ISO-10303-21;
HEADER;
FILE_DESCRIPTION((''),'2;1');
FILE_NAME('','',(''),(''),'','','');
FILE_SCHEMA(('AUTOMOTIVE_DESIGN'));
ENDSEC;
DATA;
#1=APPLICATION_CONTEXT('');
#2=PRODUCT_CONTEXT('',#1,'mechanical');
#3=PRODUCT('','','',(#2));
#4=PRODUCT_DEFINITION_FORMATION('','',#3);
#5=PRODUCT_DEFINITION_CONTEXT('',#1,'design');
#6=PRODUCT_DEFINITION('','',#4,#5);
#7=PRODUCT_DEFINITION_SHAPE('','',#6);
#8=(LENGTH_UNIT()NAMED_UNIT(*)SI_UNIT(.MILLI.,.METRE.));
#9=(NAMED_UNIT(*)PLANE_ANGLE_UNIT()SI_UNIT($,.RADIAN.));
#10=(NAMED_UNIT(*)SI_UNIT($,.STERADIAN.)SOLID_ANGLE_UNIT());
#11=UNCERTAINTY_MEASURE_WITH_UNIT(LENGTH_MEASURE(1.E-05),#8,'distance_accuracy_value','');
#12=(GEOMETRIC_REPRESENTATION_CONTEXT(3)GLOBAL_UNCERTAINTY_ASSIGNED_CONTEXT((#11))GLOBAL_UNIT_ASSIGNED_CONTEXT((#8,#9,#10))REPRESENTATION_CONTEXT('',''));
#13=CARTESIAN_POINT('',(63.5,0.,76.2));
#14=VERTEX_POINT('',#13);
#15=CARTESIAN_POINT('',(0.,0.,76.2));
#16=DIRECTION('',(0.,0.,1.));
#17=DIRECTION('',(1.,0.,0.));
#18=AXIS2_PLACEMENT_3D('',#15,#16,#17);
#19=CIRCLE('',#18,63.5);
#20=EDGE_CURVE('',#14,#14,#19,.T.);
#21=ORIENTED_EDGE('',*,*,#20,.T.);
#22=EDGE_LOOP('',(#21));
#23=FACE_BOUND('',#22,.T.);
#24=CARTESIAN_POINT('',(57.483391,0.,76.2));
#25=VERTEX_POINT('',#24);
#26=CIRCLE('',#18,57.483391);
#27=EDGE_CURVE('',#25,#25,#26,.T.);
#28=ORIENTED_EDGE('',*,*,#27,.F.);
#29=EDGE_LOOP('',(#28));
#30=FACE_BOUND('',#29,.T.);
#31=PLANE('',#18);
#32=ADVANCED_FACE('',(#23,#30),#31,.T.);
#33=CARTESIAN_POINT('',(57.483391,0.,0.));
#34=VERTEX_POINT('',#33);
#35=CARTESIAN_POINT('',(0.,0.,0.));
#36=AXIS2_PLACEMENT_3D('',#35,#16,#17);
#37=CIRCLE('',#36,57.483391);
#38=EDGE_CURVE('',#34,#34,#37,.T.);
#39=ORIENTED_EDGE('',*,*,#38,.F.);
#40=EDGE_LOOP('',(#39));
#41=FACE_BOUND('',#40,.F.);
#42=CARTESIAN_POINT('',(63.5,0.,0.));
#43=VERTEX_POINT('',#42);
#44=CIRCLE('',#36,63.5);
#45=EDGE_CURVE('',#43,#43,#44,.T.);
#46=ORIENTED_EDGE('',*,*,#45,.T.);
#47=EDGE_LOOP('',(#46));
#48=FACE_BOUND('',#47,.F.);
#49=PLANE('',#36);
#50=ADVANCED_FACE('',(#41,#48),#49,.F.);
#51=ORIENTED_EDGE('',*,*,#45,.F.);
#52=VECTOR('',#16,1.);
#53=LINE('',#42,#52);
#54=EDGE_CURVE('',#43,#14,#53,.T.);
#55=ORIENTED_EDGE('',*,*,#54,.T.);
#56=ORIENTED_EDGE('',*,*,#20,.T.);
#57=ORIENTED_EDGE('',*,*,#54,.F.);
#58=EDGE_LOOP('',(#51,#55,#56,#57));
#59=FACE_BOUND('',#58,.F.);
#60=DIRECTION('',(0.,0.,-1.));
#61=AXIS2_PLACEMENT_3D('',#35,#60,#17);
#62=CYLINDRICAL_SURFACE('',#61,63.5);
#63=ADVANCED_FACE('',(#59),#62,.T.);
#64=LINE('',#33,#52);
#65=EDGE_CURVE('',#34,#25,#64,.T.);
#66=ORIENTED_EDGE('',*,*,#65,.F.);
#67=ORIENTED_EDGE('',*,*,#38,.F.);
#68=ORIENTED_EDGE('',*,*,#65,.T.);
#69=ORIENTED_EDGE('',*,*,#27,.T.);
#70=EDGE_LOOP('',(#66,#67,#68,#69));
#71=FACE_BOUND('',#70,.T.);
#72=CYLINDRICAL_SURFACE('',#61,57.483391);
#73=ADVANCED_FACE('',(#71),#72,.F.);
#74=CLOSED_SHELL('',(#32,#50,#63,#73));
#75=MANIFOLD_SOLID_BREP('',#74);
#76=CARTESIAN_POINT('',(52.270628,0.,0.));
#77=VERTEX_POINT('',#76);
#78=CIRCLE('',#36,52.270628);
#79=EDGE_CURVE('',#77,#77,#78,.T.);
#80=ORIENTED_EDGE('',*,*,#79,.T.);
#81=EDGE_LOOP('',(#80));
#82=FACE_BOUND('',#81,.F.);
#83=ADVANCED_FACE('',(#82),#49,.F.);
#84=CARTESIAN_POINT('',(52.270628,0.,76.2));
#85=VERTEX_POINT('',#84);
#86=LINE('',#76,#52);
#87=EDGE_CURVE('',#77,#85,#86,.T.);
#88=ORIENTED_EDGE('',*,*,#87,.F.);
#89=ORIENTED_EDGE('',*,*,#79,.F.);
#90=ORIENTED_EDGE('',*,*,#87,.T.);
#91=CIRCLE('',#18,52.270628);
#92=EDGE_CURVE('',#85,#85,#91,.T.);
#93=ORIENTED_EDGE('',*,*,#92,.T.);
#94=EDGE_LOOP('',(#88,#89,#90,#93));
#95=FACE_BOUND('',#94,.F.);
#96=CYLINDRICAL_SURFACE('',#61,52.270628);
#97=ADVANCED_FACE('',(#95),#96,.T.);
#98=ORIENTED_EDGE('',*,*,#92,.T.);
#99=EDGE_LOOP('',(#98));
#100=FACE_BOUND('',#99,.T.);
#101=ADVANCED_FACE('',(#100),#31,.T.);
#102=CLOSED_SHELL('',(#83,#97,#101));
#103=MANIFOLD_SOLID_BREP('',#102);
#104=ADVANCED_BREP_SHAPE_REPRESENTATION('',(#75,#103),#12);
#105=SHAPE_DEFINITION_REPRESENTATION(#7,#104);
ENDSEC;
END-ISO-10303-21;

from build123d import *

# Parameters (mm, degrees)
F0_R     = 63.5
F1_DEPTH = 76.2
F2_R     = 57.483391
F2_R_2   = 52.270628
F3_DEPTH = 76.2


with BuildPart() as f1:
    # F0 (on Top) → F1 (new body)
    with BuildSketch(Plane.XY):
        Circle(F0_R)
    extrude(amount=F1_DEPTH)

    # F2 (on Top) → F3 (cut)
    with BuildSketch(Plane.XY):
        Circle(F2_R)
        Circle(F2_R_2, mode=Mode.SUBTRACT)
    extrude(amount=F3_DEPTH, mode=Mode.SUBTRACT)


solid = f1.part
